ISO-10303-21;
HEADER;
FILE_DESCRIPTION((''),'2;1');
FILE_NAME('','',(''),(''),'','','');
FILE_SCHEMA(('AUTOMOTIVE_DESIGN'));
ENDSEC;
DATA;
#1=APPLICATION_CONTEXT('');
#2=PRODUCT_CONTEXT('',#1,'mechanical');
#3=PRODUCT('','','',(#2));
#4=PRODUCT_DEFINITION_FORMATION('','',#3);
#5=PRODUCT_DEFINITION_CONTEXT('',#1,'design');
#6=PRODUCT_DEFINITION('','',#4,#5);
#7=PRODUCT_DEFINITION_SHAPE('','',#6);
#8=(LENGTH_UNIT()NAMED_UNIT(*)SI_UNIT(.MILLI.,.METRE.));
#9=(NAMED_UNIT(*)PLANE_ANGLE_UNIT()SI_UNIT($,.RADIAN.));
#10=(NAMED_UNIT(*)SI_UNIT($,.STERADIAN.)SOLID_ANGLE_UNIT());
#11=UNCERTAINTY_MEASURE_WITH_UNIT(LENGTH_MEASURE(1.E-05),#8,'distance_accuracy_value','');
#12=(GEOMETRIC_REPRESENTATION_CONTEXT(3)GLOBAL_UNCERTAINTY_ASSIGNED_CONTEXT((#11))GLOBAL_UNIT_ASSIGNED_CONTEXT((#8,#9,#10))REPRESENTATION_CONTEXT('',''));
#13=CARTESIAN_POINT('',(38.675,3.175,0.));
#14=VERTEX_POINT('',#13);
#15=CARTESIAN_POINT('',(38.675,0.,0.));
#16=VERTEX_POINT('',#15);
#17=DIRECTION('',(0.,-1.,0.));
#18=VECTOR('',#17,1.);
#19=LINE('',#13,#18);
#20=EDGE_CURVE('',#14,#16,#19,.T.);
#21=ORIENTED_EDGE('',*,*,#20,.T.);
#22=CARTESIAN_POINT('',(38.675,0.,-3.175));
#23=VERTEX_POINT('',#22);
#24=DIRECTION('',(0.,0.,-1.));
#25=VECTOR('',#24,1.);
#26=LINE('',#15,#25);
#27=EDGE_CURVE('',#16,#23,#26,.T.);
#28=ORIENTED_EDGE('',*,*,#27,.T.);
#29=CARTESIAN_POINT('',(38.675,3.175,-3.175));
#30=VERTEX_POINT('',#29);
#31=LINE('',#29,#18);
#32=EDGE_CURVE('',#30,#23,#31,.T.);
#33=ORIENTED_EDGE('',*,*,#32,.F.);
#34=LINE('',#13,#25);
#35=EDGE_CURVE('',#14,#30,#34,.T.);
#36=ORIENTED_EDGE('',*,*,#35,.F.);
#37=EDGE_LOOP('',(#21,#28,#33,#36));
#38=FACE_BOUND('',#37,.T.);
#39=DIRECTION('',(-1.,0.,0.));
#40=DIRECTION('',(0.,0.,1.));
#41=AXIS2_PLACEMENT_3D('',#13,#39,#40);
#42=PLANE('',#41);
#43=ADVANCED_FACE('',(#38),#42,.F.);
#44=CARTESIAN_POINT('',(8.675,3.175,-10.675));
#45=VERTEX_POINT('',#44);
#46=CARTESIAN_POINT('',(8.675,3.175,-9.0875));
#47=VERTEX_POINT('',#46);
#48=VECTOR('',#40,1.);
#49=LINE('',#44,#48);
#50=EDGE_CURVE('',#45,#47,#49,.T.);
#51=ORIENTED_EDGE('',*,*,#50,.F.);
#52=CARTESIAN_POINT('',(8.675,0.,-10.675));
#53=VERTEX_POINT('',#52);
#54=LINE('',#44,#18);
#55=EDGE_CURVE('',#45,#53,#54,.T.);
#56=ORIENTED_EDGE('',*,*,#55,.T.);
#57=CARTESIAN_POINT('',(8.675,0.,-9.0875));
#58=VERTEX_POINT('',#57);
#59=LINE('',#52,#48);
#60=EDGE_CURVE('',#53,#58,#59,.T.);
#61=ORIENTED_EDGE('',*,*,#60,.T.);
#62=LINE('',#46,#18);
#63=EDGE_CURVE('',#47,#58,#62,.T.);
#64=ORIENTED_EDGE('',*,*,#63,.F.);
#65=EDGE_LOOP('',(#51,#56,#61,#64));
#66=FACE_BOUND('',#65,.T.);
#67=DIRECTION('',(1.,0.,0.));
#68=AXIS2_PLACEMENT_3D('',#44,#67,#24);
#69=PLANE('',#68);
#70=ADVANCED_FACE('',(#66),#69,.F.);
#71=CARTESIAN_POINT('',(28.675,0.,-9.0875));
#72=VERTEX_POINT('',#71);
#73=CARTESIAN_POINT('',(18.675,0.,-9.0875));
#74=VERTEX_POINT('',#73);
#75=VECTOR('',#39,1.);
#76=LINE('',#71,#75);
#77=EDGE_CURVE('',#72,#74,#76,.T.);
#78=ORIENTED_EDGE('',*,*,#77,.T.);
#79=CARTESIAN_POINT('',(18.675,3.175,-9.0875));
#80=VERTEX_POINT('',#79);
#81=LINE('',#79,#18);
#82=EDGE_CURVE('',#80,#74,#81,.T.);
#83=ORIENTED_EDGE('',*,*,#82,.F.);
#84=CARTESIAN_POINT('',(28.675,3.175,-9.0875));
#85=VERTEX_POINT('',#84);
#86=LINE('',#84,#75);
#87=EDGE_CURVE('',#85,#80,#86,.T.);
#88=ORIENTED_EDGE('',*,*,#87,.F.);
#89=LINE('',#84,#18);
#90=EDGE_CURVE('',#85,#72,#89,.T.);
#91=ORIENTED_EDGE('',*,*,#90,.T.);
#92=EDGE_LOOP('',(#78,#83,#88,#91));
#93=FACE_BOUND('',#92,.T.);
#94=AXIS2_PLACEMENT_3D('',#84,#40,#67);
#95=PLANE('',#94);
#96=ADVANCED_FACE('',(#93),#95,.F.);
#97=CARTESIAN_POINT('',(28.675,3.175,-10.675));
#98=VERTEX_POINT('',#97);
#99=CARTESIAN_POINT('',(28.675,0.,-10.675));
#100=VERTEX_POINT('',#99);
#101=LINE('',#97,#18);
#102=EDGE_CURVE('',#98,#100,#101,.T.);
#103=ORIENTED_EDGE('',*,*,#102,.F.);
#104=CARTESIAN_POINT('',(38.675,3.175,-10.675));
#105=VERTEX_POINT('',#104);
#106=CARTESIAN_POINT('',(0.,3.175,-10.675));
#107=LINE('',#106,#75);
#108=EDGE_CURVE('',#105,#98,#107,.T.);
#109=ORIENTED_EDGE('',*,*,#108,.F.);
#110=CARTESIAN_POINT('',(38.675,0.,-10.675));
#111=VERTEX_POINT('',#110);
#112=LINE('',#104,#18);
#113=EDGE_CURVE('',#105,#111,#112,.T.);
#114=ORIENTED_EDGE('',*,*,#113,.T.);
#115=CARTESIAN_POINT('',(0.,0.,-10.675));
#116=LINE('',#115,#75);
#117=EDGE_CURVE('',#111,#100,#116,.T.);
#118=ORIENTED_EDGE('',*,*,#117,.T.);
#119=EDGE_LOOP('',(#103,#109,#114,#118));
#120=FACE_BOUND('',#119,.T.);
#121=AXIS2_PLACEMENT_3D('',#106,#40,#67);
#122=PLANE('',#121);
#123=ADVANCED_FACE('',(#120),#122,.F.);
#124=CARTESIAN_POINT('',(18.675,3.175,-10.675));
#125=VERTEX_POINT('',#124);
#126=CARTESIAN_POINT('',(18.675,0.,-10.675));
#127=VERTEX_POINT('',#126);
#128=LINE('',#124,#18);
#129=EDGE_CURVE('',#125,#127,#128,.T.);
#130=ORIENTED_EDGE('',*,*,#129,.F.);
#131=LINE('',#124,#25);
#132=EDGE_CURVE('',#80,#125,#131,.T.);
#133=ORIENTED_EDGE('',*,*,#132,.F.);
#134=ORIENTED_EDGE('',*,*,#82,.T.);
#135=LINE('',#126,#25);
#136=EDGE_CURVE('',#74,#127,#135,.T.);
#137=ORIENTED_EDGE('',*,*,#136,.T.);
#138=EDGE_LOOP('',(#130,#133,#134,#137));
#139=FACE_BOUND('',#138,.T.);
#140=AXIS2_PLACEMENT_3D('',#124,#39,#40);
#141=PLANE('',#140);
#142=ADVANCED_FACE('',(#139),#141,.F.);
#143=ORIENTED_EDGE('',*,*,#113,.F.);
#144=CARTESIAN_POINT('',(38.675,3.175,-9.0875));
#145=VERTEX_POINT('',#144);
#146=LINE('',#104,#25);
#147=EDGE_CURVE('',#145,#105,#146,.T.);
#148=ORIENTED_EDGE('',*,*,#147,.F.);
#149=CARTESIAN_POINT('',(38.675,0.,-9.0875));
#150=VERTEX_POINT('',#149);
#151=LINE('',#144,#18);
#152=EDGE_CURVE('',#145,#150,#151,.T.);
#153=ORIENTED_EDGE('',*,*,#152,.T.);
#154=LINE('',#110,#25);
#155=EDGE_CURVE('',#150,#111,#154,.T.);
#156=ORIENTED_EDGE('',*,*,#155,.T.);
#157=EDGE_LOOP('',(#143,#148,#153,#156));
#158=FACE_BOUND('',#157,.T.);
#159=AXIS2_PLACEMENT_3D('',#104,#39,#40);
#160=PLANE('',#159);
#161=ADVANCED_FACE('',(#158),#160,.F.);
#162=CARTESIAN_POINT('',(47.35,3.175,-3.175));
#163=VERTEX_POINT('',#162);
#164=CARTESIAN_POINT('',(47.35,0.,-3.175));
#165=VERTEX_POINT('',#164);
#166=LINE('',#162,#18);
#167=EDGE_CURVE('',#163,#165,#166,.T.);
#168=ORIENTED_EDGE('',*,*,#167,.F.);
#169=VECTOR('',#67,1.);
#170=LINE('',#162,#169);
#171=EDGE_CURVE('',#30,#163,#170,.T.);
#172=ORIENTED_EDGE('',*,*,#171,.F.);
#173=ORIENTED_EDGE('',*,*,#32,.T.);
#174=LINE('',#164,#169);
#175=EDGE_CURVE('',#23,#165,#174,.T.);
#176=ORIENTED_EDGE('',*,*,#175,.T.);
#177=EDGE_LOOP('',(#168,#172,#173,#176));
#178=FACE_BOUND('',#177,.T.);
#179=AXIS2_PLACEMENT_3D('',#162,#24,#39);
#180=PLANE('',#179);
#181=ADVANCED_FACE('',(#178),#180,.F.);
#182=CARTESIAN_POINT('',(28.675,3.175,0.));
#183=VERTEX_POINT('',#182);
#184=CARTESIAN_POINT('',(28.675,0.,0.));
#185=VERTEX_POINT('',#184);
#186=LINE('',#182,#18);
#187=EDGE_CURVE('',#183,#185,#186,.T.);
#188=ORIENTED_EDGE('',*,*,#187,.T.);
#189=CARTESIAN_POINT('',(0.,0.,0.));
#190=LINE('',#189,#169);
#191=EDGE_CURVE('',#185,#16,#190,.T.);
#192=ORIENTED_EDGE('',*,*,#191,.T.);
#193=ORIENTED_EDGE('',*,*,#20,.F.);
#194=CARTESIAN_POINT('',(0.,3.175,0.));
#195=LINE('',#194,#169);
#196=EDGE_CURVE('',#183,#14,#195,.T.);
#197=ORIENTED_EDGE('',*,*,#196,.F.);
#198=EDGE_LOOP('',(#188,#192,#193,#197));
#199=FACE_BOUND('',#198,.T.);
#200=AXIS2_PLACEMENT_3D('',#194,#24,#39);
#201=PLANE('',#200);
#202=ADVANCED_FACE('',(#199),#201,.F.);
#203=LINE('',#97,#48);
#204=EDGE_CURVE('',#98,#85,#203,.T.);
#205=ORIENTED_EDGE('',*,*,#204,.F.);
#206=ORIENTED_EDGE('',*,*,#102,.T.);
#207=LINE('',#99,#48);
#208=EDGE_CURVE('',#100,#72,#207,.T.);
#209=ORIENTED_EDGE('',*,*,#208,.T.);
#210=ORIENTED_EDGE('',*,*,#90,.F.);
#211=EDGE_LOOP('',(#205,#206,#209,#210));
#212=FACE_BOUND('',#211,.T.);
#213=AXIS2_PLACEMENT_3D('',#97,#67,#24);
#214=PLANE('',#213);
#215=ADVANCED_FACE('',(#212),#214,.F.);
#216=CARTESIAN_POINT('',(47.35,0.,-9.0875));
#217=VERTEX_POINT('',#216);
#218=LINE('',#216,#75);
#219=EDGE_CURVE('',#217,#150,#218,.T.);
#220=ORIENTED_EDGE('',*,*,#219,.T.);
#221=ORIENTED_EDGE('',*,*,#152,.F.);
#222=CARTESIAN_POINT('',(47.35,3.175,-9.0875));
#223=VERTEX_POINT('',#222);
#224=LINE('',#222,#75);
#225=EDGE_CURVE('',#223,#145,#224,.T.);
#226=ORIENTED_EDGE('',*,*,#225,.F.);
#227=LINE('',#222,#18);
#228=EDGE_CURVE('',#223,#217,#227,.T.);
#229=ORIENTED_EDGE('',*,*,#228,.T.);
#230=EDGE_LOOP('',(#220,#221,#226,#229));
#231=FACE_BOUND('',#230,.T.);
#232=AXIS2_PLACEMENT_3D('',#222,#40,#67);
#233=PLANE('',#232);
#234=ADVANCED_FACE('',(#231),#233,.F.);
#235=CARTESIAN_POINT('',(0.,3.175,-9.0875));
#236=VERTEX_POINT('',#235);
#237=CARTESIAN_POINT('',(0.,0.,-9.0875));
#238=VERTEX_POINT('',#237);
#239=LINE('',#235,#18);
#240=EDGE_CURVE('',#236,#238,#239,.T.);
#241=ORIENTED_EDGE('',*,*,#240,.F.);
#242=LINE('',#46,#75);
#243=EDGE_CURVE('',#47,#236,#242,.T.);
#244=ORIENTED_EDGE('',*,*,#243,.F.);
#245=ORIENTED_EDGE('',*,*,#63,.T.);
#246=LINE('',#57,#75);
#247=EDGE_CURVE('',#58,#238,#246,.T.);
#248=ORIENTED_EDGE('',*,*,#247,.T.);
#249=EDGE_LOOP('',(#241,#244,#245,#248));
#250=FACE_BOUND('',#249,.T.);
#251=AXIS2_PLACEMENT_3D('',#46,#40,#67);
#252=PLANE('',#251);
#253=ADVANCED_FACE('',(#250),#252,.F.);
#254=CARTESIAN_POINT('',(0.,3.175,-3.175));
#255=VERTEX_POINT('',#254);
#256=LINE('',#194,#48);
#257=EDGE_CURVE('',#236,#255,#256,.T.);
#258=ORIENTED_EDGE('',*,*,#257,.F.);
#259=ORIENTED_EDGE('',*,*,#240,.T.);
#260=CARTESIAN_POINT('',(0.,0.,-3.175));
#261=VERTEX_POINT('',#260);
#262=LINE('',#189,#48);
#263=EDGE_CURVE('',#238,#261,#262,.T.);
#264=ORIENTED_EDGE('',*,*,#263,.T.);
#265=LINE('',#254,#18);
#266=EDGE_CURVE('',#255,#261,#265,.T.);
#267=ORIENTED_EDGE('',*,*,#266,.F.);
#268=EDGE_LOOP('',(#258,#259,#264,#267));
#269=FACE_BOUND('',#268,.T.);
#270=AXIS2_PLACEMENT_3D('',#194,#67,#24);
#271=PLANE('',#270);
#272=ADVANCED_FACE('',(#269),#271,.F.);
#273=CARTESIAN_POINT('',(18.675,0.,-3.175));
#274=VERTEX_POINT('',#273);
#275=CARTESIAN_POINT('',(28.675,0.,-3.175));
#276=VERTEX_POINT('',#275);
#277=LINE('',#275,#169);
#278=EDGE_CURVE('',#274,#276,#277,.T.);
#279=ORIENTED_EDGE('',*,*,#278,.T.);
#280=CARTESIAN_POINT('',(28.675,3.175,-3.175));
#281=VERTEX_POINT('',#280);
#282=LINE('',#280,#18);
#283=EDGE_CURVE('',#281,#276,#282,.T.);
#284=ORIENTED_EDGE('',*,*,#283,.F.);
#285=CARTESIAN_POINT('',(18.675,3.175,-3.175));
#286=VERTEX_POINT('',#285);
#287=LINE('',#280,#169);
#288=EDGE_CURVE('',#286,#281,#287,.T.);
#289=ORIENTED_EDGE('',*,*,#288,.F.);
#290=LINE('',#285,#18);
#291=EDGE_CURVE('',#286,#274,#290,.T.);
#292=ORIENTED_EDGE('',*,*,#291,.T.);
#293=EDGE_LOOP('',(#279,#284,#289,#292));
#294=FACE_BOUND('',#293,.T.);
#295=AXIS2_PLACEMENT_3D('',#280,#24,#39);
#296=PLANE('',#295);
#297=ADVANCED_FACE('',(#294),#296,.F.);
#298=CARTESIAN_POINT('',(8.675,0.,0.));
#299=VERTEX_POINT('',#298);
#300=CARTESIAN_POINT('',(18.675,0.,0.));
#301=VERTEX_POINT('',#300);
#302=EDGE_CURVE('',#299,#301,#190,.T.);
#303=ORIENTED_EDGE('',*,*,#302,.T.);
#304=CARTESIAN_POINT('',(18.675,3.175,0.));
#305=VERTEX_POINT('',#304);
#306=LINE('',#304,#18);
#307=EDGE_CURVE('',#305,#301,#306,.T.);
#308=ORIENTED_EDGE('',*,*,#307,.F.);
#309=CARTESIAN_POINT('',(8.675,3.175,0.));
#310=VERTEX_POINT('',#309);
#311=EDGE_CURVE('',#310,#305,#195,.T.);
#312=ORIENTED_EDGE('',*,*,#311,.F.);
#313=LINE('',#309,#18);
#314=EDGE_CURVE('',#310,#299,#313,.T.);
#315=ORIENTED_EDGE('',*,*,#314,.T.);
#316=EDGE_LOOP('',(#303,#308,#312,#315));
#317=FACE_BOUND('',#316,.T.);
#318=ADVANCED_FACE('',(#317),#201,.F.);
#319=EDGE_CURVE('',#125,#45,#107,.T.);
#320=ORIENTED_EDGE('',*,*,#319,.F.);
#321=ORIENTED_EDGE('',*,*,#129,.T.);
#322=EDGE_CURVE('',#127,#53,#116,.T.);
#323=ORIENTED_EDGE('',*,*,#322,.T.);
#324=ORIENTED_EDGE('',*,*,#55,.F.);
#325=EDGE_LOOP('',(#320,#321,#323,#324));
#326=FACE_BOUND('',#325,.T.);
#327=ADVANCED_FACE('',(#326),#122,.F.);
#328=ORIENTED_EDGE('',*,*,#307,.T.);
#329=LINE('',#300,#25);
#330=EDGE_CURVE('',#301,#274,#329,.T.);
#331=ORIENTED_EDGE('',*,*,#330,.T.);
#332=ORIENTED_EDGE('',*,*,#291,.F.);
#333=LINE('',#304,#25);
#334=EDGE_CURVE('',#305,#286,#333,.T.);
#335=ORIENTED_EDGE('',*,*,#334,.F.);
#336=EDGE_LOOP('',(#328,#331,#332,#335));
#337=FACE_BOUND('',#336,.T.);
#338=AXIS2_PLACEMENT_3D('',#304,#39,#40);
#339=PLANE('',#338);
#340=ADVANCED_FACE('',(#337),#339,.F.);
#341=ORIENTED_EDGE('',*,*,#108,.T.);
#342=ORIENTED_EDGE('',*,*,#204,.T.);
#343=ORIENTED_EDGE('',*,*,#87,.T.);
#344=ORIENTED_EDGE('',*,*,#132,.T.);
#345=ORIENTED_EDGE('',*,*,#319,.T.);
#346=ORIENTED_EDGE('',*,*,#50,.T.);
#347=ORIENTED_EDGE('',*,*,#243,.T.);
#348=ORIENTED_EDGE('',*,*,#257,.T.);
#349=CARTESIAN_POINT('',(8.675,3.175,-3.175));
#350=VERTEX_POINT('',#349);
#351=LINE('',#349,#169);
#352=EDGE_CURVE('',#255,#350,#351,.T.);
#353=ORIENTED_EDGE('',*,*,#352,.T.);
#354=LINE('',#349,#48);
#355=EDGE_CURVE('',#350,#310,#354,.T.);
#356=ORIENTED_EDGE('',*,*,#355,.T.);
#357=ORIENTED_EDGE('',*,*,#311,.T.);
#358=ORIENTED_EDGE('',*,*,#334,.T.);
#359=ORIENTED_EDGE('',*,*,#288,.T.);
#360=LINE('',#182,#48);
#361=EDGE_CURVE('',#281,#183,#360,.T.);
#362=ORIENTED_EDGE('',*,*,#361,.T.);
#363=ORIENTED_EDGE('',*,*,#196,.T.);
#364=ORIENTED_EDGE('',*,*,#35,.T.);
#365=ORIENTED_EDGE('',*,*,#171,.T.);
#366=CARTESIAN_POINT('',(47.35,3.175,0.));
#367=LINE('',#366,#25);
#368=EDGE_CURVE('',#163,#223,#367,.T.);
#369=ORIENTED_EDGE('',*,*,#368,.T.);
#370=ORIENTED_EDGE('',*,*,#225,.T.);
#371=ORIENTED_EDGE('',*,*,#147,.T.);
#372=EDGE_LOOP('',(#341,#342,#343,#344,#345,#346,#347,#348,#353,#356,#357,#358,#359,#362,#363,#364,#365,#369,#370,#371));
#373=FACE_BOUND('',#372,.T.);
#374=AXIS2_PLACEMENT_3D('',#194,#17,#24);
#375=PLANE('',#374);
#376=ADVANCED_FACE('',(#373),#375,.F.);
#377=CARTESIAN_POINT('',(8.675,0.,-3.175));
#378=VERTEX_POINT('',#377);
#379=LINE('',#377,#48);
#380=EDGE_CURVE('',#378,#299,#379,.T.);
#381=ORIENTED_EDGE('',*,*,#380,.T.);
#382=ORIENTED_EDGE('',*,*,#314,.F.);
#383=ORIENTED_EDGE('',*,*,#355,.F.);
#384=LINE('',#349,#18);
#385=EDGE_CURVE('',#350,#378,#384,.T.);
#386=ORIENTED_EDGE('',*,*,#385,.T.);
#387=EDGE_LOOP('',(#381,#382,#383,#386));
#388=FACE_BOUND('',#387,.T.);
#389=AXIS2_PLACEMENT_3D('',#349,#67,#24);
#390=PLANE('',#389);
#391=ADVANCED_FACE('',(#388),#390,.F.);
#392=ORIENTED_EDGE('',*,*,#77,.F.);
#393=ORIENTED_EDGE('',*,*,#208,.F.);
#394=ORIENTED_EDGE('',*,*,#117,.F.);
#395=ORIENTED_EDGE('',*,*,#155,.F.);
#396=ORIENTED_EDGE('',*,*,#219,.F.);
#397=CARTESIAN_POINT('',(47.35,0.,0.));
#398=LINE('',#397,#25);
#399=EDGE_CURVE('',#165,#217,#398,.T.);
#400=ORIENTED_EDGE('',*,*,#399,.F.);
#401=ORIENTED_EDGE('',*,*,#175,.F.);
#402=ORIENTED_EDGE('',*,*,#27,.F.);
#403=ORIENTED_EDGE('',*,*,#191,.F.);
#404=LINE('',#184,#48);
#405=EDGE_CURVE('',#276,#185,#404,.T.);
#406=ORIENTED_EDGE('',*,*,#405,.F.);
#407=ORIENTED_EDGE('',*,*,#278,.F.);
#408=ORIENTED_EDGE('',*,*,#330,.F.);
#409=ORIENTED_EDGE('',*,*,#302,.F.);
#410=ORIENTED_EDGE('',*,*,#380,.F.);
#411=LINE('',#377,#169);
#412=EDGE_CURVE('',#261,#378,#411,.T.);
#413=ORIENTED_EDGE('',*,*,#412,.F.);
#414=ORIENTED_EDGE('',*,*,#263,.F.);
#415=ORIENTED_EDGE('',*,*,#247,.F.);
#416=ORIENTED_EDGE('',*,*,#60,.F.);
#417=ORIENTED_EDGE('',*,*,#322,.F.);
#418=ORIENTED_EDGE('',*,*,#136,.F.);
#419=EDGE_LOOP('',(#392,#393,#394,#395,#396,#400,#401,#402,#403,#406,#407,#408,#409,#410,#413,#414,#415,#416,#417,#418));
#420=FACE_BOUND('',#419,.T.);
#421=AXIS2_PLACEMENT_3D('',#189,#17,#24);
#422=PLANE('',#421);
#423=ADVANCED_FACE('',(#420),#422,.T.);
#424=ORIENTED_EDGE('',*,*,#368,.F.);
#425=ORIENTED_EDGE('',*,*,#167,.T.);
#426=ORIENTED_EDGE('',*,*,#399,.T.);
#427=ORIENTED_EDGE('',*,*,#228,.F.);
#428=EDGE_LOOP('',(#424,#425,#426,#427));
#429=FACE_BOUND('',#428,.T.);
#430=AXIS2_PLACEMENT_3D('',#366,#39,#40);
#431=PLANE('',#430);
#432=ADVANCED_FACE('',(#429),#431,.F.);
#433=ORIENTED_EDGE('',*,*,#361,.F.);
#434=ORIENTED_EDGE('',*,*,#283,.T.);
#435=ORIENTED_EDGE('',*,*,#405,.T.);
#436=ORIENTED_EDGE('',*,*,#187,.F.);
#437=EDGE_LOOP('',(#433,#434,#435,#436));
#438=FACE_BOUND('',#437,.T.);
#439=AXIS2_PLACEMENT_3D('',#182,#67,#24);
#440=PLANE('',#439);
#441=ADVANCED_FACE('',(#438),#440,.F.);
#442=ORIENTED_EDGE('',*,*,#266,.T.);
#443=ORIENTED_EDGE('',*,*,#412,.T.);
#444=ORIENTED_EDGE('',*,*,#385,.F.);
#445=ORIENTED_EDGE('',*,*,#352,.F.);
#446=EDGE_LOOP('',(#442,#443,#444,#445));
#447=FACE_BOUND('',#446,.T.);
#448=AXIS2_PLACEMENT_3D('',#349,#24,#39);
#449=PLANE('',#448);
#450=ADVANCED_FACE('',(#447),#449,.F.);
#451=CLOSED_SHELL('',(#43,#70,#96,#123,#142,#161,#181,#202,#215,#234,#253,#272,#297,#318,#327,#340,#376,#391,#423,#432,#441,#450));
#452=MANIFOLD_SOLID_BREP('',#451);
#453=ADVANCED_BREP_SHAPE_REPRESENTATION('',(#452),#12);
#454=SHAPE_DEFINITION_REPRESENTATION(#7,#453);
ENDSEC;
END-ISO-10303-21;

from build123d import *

# Parameters (mm, degrees)
SKETCH1_W           = 47.35
SKETCH1_H           = 10.675
BOSS_EXTRUDE1_DEPTH = 3.175
SKETCH2_W           = 8.675
SKETCH2_H           = 3.175
SKETCH2_W_2         = 10
SKETCH2_H_2         = 1.5875
CUT_EXTRUDE1_DEPTH  = 4.175


with BuildPart() as part:
    # Sketch1 → Boss-Extrude1 (new body)
    with BuildSketch(Plane(origin=(0, 0, 0), x_dir=(1, 0, 0), z_dir=(0, 1, 0))):
        with Locations((23.675, 5.3375)):
            Rectangle(SKETCH1_W, SKETCH1_H)
    extrude(amount=BOSS_EXTRUDE1_DEPTH)

    # Sketch2 → Cut-Extrude1 (cut, through all)
    with BuildSketch(Plane.XZ):
        with Locations((43.0125, -1.5875)):
            Rectangle(SKETCH2_W, SKETCH2_H)
        with Locations((23.675, -1.5875)):
            Rectangle(SKETCH2_W_2, SKETCH2_H)
        with Locations((4.3375, -1.5875)):
            Rectangle(SKETCH2_W, SKETCH2_H)
        with Locations((43.0125, -9.88125)):
            Rectangle(SKETCH2_W, SKETCH2_H_2)
        with Locations((23.675, -9.88125)):
            Rectangle(SKETCH2_W_2, SKETCH2_H_2)
        with Locations((4.3375, -9.88125)):
            Rectangle(SKETCH2_W, SKETCH2_H_2)
    extrude(amount=-CUT_EXTRUDE1_DEPTH, mode=Mode.SUBTRACT)


solid = part.part
